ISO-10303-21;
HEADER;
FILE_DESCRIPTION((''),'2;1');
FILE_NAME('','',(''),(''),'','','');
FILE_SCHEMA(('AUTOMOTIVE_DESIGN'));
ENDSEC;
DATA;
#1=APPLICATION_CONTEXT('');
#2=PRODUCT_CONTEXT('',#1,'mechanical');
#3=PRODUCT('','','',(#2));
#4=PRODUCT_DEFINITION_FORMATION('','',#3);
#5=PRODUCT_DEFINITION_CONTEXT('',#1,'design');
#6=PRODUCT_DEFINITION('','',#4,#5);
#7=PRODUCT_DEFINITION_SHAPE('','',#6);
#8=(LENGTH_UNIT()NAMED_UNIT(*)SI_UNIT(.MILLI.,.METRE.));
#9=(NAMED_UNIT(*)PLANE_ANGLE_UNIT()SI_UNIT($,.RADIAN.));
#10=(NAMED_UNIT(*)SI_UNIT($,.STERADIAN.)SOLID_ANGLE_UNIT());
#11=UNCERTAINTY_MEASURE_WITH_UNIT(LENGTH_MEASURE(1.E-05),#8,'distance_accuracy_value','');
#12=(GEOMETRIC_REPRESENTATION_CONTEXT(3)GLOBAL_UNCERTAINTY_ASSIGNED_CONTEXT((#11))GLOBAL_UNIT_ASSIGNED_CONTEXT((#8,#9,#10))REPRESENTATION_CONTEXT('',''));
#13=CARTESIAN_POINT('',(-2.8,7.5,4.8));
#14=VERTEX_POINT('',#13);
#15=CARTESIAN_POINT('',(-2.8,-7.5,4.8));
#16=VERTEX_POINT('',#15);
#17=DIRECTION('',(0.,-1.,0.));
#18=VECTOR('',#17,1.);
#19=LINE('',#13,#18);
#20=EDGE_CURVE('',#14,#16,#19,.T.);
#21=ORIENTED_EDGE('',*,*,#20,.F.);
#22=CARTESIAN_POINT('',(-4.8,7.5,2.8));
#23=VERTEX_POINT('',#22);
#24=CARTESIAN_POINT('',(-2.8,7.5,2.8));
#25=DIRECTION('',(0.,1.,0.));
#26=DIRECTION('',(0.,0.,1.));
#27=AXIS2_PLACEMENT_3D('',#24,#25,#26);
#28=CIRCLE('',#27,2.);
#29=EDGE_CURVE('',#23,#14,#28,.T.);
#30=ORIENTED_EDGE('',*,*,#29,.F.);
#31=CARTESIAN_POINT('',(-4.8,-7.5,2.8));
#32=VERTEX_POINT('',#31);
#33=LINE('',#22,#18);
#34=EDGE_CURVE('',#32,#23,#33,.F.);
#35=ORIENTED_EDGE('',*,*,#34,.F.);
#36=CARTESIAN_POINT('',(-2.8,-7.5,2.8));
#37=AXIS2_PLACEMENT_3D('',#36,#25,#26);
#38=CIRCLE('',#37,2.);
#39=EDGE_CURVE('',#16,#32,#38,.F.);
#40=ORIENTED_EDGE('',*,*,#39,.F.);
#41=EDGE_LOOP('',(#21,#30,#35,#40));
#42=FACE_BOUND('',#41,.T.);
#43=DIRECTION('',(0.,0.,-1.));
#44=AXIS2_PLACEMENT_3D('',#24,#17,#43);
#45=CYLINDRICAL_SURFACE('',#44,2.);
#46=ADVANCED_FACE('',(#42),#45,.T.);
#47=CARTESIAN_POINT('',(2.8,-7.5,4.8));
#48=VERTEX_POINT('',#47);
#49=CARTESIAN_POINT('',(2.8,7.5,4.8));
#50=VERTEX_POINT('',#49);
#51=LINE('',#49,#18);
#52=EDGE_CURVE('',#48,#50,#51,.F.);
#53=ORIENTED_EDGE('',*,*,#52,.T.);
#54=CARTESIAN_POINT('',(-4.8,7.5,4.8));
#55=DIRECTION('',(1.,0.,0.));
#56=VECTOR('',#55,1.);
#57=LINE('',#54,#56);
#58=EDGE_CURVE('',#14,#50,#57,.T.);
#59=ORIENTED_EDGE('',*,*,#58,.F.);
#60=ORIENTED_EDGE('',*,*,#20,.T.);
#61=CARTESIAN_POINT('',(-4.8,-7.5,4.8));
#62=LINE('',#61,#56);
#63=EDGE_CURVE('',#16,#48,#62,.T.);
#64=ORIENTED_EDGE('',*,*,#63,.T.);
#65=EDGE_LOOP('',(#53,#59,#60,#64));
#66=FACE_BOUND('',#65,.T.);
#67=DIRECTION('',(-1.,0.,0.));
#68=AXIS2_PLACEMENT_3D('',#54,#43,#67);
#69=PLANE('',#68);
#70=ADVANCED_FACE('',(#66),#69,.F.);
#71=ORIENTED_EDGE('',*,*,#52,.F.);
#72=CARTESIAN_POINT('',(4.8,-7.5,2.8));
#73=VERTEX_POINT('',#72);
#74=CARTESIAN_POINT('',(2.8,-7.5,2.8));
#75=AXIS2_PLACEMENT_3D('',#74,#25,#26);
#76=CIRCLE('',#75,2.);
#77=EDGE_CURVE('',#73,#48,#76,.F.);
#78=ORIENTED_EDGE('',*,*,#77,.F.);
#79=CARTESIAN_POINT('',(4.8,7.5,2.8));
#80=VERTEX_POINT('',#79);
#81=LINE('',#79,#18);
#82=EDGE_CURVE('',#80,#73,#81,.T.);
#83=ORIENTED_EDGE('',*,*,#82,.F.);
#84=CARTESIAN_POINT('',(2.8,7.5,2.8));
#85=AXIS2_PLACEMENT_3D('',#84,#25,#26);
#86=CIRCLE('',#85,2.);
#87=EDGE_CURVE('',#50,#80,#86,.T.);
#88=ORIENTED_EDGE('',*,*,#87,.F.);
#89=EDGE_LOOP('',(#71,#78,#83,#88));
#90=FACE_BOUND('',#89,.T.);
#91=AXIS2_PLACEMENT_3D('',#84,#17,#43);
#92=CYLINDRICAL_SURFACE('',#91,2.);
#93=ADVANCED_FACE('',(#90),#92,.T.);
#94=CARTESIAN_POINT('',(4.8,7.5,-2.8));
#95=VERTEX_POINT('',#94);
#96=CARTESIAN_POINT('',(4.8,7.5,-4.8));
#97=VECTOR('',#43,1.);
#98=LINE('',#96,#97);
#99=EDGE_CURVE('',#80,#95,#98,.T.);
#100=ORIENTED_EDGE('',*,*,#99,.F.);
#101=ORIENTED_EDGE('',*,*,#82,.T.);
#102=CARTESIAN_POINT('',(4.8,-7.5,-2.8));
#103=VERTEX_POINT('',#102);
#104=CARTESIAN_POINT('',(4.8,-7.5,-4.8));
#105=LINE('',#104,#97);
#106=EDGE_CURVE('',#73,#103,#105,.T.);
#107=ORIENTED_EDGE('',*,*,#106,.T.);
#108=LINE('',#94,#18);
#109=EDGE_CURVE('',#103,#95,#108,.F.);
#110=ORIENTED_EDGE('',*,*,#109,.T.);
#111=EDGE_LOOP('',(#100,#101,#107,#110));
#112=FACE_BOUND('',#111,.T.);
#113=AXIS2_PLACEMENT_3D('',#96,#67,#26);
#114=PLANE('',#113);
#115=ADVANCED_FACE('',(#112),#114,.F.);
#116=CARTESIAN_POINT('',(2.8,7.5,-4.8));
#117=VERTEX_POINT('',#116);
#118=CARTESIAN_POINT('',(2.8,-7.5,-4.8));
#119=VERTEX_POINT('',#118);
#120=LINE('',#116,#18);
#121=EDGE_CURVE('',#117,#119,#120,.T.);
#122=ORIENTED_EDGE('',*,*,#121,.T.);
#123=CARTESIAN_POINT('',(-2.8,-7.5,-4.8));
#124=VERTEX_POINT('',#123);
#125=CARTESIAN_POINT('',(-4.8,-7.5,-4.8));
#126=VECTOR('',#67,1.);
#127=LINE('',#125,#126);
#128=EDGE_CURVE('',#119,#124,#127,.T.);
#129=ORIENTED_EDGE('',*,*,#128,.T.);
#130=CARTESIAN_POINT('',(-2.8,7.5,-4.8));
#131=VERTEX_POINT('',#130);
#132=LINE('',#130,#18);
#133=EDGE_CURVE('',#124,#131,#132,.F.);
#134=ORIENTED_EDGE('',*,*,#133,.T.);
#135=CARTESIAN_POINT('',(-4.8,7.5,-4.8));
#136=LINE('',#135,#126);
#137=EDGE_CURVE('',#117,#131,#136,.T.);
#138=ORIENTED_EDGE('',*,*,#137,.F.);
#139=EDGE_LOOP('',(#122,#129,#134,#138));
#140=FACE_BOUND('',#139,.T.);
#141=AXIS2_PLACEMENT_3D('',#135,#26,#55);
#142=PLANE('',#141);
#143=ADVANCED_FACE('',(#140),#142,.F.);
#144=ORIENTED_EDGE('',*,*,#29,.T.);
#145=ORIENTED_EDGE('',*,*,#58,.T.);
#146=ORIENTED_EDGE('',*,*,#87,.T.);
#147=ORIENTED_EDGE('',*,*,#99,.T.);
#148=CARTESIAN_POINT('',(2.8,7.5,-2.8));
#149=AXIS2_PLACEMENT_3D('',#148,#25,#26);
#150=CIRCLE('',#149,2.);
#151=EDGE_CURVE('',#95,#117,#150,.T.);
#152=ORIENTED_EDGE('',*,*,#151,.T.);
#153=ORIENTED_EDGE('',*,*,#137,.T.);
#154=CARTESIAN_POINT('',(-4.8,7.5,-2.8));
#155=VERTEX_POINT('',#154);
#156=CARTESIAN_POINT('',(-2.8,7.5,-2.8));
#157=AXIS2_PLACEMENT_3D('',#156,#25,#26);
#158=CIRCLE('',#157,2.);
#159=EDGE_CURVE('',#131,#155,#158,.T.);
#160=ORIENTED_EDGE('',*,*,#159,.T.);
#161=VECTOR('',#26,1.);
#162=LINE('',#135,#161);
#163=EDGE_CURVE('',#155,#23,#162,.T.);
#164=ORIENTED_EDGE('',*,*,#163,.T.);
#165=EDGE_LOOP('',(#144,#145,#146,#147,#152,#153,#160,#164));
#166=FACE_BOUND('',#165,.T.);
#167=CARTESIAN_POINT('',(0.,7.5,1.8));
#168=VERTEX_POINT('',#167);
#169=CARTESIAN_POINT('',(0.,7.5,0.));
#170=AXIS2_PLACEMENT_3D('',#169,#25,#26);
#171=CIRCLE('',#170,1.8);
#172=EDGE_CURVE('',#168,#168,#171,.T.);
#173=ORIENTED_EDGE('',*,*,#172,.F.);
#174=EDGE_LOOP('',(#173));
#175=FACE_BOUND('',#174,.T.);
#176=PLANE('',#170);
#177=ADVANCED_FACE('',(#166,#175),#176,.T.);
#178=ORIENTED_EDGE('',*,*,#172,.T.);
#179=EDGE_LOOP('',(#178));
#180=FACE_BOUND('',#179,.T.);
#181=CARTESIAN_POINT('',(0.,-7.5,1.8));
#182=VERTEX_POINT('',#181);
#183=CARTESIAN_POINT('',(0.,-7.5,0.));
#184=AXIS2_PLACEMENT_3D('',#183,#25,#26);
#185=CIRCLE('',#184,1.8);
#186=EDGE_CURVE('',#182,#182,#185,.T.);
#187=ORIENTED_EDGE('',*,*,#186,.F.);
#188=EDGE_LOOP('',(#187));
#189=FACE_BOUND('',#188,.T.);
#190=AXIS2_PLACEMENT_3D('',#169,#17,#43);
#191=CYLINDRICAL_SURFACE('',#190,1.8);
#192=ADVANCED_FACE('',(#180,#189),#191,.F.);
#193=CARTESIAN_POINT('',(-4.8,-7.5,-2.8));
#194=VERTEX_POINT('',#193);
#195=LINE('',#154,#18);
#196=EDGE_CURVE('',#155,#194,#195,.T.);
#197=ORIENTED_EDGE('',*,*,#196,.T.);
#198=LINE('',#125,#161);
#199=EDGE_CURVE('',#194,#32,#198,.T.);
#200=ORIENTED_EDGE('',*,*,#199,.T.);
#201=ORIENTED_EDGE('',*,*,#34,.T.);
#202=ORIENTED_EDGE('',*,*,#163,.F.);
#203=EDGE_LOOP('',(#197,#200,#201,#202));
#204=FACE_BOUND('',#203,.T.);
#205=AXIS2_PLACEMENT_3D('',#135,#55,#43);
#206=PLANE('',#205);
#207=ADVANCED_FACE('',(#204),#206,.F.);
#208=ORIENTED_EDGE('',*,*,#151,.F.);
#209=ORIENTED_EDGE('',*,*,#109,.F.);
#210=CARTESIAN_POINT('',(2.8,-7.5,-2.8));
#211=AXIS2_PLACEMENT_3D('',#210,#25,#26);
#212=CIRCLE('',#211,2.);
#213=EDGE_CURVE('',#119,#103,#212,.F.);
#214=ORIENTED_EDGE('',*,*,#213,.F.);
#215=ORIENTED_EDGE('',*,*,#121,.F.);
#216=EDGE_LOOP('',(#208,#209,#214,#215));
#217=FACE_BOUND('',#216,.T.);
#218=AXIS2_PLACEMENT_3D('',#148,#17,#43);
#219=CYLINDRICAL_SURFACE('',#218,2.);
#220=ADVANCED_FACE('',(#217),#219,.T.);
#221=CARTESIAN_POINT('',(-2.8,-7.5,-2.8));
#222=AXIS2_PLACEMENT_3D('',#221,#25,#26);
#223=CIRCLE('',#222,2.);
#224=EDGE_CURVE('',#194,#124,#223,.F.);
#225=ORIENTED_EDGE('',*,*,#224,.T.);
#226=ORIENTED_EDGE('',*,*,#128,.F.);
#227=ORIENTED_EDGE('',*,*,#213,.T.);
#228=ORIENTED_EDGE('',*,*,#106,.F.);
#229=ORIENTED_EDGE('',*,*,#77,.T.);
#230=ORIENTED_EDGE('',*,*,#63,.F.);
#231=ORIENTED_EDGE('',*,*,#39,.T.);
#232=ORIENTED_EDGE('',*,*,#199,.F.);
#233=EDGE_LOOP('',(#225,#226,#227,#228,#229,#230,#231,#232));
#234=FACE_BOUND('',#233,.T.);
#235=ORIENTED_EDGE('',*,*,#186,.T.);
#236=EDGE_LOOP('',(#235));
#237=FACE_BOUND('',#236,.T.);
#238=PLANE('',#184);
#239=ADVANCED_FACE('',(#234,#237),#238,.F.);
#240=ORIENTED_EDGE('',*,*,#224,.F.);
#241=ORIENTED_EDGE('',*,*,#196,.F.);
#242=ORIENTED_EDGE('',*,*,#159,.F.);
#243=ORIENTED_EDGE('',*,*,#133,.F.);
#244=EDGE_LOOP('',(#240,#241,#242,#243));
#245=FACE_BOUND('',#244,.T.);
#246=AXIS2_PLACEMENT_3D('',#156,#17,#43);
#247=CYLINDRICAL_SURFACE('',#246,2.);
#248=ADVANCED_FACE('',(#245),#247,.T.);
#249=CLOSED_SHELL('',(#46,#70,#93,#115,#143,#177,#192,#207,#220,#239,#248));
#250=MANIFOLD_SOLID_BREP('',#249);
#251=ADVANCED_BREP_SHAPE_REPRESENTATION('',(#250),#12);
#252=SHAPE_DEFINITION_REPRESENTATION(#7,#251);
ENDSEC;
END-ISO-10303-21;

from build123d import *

# Parameters (mm, degrees)
SKETCH1_W           = 9.6
SKETCH1_H           = 9.6
SKETCH1_R           = 1.8
BOSS_EXTRUDE1_DEPTH = 7.5
FILLET1_R           = 2


with BuildPart() as part:
    # Sketch1 → Boss-Extrude1 (new body, symmetric)
    with BuildSketch(Plane(origin=(0, 0, 0), x_dir=(1, 0, 0), z_dir=(0, 1, 0))):
        Rectangle(SKETCH1_W, SKETCH1_H)
        Circle(SKETCH1_R, mode=Mode.SUBTRACT)
    extrude(amount=BOSS_EXTRUDE1_DEPTH, both=True)

    # Fillet1
    fillet1_edges = [part.edges().sort_by_distance(p)[0] for p in [
        (-4.8, 0, -4.8),
        (4.8, 0, -4.8),
        (4.8, 0, 4.8),
        (-4.8, 0, 4.8),
    ]]
    fillet(fillet1_edges, radius=FILLET1_R)


solid = part.part
